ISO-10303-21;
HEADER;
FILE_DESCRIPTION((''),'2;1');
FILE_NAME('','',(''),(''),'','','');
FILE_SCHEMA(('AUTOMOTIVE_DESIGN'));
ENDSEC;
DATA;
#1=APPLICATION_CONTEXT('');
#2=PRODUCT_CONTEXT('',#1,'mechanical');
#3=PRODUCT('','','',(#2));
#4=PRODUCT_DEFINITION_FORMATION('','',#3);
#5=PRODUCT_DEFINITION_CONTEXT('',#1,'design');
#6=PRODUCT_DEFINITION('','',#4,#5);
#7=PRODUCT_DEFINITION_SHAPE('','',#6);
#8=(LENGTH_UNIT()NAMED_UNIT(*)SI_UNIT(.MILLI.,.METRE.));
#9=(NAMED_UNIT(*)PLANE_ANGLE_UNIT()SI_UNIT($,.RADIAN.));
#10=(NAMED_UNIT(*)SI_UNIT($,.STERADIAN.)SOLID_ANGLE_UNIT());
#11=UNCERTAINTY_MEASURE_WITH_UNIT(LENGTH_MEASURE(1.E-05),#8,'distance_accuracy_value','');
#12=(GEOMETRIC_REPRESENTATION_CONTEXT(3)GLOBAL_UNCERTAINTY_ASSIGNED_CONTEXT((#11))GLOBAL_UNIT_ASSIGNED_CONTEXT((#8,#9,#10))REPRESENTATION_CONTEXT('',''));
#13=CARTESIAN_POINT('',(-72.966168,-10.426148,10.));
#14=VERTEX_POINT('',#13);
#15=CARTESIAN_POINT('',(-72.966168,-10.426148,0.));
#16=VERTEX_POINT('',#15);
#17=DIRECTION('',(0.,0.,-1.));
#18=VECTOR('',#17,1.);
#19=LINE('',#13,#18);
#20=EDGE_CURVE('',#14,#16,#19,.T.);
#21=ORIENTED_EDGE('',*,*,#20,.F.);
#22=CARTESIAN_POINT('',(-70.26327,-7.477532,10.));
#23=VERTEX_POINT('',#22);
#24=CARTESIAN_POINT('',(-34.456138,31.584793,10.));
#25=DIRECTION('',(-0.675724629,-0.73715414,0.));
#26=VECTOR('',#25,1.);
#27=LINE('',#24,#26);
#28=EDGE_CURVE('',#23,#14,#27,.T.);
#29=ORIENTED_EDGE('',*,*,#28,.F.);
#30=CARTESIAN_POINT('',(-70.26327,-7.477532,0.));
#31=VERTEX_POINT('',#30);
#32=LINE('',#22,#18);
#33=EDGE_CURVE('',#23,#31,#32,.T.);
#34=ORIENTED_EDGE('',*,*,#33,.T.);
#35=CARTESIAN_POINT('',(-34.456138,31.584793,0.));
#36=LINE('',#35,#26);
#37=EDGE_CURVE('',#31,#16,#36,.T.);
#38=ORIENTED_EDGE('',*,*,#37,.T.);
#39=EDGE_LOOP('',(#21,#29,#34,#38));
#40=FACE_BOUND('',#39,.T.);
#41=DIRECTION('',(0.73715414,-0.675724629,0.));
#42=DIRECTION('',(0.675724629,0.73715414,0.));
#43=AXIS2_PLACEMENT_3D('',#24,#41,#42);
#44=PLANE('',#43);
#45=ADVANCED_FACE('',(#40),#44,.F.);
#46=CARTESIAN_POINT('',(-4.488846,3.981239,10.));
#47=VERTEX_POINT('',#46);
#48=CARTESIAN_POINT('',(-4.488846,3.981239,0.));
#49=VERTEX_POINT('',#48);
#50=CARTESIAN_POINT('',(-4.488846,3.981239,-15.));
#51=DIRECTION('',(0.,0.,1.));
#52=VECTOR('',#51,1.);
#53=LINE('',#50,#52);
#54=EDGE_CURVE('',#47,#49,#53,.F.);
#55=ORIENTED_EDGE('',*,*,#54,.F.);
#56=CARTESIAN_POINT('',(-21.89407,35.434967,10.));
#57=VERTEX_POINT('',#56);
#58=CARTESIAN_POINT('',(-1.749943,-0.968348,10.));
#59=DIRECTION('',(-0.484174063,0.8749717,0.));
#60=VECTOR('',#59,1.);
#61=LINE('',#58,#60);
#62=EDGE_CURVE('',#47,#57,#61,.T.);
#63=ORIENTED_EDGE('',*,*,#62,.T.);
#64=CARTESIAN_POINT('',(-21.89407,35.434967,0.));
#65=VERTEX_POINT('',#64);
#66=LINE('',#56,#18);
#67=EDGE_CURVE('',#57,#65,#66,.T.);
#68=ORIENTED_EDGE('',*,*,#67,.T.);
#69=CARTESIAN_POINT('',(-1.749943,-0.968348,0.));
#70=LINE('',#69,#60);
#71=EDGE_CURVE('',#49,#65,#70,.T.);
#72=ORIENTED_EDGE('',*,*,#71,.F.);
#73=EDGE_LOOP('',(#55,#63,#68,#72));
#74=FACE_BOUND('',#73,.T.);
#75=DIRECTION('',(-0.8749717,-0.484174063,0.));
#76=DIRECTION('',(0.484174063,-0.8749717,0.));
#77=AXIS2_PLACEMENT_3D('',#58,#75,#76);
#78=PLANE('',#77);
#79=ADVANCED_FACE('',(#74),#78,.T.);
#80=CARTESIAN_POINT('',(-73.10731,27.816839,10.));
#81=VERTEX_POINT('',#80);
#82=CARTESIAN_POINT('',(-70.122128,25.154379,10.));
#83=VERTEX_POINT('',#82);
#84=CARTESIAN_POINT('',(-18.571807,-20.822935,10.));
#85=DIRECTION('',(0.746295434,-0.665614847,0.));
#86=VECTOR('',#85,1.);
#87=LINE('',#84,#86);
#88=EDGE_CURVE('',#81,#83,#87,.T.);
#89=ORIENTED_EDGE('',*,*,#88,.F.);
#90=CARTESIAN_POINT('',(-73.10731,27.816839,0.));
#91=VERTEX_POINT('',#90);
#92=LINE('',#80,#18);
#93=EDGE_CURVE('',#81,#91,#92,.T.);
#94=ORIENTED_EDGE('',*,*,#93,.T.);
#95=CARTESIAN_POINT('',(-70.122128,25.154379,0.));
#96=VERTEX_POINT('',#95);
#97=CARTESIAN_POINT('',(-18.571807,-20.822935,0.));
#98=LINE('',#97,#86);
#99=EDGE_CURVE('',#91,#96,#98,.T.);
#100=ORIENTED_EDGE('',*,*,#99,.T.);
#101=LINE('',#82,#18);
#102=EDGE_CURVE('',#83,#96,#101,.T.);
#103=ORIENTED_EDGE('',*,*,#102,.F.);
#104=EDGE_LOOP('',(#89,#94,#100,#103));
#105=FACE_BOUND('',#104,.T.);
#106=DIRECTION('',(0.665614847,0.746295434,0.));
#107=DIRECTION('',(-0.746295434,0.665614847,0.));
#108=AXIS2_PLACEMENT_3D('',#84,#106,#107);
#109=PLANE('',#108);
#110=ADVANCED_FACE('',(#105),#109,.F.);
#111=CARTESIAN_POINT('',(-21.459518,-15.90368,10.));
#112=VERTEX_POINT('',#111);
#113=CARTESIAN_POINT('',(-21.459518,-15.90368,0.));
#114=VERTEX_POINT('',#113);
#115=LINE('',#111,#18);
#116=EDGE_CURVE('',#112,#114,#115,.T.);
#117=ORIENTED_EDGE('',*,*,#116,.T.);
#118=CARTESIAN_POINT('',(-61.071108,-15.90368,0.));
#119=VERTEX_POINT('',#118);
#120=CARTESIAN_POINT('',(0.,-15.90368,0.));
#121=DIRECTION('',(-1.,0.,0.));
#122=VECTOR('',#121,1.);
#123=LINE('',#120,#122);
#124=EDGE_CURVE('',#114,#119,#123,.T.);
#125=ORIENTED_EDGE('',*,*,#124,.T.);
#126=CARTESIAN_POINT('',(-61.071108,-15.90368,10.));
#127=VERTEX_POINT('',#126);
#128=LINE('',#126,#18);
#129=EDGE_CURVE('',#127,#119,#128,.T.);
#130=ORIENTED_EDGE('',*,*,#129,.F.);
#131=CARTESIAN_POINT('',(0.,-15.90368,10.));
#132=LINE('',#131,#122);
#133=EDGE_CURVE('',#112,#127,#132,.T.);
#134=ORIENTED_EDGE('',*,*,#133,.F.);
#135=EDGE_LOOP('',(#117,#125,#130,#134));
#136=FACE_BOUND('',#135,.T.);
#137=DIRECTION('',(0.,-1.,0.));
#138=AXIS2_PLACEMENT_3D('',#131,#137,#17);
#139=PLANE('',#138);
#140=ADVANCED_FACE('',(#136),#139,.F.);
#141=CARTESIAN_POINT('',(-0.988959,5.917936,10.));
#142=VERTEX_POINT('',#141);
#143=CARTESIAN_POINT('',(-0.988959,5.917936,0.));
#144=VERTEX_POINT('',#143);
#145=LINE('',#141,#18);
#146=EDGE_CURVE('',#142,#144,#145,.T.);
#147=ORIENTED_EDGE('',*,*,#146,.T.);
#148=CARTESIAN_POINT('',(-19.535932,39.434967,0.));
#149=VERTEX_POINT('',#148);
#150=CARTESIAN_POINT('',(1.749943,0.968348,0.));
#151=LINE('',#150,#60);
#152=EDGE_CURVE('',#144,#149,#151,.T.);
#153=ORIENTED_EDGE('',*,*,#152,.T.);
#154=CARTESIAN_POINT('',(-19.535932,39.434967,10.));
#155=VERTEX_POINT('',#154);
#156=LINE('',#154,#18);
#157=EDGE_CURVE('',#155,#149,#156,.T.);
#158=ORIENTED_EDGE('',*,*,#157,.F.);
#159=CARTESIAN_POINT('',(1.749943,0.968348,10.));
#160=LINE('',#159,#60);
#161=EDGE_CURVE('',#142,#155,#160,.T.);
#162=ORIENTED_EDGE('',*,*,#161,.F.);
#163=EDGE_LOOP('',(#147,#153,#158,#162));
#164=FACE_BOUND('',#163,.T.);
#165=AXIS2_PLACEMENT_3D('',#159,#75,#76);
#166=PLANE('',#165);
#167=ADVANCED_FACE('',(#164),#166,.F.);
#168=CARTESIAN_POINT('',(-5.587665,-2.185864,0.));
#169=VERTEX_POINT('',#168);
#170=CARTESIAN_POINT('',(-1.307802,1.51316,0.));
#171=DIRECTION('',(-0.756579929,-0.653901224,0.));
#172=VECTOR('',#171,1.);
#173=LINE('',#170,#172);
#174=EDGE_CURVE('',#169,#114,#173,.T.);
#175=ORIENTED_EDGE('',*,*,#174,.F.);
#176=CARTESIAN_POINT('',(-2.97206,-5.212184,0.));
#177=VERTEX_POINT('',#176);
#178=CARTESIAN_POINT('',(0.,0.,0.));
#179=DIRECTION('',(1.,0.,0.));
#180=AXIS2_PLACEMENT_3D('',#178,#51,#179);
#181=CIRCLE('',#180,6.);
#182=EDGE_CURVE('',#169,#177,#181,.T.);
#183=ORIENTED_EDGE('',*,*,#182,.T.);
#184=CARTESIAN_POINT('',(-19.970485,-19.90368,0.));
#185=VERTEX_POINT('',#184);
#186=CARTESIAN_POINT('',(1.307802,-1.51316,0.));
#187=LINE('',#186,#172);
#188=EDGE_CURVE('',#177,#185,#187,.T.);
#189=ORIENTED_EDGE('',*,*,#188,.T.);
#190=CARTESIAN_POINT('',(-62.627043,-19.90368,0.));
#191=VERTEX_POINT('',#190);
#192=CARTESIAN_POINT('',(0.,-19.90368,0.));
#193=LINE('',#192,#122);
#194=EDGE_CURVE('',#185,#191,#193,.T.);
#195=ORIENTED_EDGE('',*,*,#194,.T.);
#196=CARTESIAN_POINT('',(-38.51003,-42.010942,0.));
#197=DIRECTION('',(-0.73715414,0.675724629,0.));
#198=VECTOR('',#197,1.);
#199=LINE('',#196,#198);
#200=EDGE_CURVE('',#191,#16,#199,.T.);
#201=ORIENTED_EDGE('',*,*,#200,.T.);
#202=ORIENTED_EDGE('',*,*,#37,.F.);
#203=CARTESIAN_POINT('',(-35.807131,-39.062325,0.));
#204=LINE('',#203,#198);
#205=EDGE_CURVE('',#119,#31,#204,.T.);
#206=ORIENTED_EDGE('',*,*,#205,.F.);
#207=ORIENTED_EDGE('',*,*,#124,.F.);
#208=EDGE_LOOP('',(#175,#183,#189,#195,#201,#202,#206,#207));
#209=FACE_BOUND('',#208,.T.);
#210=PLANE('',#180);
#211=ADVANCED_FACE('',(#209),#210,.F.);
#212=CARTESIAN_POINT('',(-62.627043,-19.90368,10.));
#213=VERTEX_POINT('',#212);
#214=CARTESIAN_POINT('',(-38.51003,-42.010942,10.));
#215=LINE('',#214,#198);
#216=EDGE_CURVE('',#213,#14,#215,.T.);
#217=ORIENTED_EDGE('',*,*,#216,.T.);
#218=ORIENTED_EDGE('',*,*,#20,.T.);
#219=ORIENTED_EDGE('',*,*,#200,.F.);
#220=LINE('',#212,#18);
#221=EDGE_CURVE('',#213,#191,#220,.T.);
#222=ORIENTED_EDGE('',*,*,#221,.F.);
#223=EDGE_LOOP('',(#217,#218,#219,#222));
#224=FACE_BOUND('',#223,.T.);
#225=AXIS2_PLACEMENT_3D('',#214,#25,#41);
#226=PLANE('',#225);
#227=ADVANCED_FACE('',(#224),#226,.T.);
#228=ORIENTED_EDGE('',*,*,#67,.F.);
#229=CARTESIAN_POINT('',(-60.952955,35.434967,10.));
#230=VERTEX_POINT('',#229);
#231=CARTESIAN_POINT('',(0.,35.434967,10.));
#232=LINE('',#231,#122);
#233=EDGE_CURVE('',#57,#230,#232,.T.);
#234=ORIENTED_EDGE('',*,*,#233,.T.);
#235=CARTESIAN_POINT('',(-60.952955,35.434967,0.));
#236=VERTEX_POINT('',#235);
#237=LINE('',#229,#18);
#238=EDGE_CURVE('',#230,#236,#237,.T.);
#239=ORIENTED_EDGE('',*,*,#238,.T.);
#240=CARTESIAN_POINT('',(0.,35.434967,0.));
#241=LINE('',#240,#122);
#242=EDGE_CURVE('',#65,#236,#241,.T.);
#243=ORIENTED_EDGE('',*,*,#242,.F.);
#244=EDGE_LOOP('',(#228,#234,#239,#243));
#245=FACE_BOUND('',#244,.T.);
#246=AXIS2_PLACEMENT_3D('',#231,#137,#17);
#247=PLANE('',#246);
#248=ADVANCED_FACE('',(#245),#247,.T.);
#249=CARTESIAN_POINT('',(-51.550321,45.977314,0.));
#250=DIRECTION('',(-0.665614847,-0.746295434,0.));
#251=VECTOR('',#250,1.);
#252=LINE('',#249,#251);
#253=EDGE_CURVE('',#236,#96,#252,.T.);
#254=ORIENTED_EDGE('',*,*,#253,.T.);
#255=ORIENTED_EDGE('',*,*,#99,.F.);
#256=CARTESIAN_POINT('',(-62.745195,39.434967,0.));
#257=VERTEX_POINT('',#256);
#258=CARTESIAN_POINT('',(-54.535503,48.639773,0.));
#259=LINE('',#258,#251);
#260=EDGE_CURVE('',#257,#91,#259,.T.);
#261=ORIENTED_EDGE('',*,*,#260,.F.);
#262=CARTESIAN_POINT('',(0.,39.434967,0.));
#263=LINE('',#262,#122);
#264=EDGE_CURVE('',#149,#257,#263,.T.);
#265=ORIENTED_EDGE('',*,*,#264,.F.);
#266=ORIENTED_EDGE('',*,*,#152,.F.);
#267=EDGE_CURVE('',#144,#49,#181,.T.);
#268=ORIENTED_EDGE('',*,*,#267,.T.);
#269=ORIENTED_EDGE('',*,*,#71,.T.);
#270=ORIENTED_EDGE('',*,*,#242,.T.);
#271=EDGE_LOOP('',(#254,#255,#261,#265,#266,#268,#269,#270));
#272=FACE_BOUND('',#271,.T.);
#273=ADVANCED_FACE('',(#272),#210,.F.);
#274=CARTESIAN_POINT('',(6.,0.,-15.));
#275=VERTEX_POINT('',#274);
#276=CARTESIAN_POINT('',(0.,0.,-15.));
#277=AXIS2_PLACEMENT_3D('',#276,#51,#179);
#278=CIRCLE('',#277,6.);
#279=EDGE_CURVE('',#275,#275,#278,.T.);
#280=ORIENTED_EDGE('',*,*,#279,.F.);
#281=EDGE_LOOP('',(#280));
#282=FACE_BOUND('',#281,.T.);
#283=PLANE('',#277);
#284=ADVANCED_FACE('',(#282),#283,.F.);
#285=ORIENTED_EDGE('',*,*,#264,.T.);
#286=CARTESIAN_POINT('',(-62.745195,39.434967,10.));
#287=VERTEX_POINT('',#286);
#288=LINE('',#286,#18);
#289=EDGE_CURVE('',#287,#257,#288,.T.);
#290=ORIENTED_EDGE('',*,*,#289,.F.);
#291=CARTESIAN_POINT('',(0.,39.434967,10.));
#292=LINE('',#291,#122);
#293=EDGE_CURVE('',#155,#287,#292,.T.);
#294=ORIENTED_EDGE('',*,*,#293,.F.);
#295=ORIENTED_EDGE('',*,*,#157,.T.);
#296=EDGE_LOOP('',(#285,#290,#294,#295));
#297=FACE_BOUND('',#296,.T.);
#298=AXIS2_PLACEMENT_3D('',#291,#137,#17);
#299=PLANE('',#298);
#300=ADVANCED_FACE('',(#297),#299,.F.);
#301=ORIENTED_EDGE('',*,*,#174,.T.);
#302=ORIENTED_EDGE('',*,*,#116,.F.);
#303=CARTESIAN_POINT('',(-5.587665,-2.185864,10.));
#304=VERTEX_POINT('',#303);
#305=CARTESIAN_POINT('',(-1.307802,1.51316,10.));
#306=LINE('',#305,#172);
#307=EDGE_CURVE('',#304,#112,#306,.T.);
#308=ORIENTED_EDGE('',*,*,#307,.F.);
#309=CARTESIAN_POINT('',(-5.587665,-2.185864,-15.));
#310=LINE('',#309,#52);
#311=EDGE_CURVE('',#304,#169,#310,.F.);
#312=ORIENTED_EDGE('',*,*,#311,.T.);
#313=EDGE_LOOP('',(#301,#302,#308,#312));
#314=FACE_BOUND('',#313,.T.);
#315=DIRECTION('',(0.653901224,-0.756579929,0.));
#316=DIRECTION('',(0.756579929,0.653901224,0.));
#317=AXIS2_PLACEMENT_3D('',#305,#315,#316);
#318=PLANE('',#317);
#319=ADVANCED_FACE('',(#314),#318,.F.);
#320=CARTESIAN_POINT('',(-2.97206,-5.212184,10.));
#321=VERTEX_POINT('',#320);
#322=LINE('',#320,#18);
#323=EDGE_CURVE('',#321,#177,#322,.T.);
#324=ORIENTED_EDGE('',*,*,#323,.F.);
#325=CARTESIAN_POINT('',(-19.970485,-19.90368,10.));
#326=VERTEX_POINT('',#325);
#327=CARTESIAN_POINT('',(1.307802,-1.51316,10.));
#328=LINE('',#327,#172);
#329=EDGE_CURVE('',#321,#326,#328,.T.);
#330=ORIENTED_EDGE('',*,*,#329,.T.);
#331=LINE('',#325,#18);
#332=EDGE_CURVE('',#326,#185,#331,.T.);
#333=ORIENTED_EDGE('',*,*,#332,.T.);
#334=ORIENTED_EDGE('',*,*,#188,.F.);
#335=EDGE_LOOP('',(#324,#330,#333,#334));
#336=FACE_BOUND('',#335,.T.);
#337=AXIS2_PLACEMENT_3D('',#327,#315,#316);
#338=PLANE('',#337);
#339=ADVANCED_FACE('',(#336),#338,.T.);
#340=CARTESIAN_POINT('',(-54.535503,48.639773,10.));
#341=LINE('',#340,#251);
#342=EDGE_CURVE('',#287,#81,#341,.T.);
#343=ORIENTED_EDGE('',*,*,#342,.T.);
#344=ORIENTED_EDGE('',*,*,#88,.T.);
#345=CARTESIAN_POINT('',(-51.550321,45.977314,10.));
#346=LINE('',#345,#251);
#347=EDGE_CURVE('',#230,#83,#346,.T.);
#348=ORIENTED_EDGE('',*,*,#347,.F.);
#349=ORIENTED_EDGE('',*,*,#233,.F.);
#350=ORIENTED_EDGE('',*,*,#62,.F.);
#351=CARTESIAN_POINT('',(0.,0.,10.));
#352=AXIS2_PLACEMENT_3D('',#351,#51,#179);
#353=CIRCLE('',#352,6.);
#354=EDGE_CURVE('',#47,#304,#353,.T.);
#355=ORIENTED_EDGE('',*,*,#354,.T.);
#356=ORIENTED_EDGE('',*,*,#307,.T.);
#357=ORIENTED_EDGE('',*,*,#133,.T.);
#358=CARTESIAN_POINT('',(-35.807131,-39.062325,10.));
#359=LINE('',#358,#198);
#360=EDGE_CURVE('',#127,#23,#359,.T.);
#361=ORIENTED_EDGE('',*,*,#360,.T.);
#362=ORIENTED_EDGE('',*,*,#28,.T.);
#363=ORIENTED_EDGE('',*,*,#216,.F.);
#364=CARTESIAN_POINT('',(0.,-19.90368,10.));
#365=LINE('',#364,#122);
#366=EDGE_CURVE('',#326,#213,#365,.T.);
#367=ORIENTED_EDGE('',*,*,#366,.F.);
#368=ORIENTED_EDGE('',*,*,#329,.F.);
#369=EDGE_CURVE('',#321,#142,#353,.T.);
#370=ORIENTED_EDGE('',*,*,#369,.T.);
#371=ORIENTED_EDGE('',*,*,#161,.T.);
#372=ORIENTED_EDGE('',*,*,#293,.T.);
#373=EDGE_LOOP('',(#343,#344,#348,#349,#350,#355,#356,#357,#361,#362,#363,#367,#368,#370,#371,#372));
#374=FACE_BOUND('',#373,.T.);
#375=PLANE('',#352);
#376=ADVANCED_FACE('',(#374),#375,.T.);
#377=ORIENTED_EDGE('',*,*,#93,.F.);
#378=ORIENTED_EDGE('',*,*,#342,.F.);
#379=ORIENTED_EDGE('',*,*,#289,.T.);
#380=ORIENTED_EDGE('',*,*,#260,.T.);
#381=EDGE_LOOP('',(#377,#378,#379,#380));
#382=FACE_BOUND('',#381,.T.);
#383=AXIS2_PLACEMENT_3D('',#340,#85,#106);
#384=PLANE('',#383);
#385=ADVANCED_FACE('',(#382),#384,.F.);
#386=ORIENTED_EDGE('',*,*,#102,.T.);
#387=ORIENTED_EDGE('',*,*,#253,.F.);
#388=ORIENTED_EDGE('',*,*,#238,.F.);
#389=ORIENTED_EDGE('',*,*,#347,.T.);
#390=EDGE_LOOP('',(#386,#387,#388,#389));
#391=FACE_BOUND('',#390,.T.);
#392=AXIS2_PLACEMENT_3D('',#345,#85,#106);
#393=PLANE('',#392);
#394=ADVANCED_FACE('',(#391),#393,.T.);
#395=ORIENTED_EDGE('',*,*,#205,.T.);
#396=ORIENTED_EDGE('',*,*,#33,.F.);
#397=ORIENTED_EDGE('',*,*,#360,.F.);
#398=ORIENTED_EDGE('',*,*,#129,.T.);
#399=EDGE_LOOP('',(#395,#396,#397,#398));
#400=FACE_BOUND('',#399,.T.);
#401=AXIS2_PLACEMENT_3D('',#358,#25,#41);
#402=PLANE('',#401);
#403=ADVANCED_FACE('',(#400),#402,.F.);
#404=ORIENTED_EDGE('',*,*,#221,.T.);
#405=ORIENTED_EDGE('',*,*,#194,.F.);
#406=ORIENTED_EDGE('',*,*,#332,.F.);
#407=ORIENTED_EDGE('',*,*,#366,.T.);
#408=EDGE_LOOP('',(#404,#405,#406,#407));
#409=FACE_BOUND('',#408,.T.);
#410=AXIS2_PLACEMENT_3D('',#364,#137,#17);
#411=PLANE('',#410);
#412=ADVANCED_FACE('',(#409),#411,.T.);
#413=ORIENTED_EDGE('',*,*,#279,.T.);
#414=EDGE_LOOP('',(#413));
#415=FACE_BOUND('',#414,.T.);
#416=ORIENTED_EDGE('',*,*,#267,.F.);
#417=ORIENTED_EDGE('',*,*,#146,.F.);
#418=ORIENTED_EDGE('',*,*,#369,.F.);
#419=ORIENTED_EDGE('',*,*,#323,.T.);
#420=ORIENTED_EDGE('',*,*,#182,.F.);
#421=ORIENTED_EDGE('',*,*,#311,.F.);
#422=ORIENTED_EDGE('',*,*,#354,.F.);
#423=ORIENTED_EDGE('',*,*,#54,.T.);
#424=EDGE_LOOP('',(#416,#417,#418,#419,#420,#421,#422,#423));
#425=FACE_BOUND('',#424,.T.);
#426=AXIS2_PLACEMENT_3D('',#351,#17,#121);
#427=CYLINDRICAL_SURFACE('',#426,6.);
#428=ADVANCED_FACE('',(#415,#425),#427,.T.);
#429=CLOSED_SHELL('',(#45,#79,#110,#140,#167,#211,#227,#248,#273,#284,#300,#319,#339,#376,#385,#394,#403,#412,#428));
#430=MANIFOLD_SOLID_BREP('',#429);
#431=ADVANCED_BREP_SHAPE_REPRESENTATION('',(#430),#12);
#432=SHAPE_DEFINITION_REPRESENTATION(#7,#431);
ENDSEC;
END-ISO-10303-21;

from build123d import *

# Parameters (mm, degrees)
BOSS_EXTRUDE1_DEPTH = 10
SKETCH2_R           = 6
BOSS_EXTRUDE2_DEPTH = 25


with BuildPart() as part:
    # Sketch1 → Boss-Extrude1 (new body)
    with BuildSketch(Plane.XY):
        with BuildLine():
            ThreePointArc((-4.488845509, 3.981239254), (-2.90504438, 5.249830202), (-0.988958707, 5.917935508))
            Line((-0.988958707, 5.917935508), (-19.535932482, 39.434966685))
            Line((-19.535932482, 39.434966685), (-62.745195449, 39.434966685))
            Line((-62.745195449, 39.434966685), (-73.107309745, 27.816838535))
            Line((-73.107309745, 27.816838535), (-70.122128007, 25.154379147))
            Line((-70.122128007, 25.154379147), (-60.952955338, 35.434966685))
            Line((-60.952955338, 35.434966685), (-21.894070174, 35.434966685))
            Line((-21.894070174, 35.434966685), (-4.488845509, 3.981239254))
        make_face()
        with BuildLine():
            Line((2.535804531, -0.451815201), (-2.972059937, -5.212183777))
            ThreePointArc((-2.972059937, -5.212183777), (3.013937655, -5.188080552), (6, 0))
            ThreePointArc((6, 0), (3.877257262, 4.578960157), (-0.988958707, 5.917935508))
            Line((-0.988958707, 5.917935508), (2.535804531, -0.451815201))
        make_face()
        with BuildLine():
            ThreePointArc((-5.587664835, -2.185864062), (-4.539479574, -3.923407346), (-2.972059937, -5.212183777))
            Line((-2.972059937, -5.212183777), (2.535804531, -0.451815201))
            Line((2.535804531, -0.451815201), (-0.988958707, 5.917935508))
            ThreePointArc((-0.988958707, 5.917935508), (-2.90504438, 5.249830202), (-4.488845509, 3.981239254))
            Line((-4.488845509, 3.981239254), (-2.535804531, 0.451815201))
            Line((-2.535804531, 0.451815201), (-5.587664835, -2.185864062))
        make_face()
        with BuildLine():
            Line((-72.966168133, -10.42614814), (-62.627042774, -19.903679719))
            Line((-62.627042774, -19.903679719), (-19.970484994, -19.903679719))
            Line((-19.970484994, -19.903679719), (-2.972059937, -5.212183777))
            ThreePointArc((-2.972059937, -5.212183777), (-4.539479574, -3.923407346), (-5.587664835, -2.185864062))
            Line((-5.587664835, -2.185864062), (-21.459517662, -15.903679719))
            Line((-21.459517662, -15.903679719), (-61.071108012, -15.903679719))
            Line((-61.071108012, -15.903679719), (-70.263269619, -7.477531579))
            Line((-70.263269619, -7.477531579), (-72.966168133, -10.42614814))
        make_face()
    extrude(amount=BOSS_EXTRUDE1_DEPTH)

    # Sketch2 → Boss-Extrude2 (add)
    with BuildSketch(Plane.XY.offset(10)):
        Circle(SKETCH2_R)
    extrude(amount=-BOSS_EXTRUDE2_DEPTH)


solid = part.part
